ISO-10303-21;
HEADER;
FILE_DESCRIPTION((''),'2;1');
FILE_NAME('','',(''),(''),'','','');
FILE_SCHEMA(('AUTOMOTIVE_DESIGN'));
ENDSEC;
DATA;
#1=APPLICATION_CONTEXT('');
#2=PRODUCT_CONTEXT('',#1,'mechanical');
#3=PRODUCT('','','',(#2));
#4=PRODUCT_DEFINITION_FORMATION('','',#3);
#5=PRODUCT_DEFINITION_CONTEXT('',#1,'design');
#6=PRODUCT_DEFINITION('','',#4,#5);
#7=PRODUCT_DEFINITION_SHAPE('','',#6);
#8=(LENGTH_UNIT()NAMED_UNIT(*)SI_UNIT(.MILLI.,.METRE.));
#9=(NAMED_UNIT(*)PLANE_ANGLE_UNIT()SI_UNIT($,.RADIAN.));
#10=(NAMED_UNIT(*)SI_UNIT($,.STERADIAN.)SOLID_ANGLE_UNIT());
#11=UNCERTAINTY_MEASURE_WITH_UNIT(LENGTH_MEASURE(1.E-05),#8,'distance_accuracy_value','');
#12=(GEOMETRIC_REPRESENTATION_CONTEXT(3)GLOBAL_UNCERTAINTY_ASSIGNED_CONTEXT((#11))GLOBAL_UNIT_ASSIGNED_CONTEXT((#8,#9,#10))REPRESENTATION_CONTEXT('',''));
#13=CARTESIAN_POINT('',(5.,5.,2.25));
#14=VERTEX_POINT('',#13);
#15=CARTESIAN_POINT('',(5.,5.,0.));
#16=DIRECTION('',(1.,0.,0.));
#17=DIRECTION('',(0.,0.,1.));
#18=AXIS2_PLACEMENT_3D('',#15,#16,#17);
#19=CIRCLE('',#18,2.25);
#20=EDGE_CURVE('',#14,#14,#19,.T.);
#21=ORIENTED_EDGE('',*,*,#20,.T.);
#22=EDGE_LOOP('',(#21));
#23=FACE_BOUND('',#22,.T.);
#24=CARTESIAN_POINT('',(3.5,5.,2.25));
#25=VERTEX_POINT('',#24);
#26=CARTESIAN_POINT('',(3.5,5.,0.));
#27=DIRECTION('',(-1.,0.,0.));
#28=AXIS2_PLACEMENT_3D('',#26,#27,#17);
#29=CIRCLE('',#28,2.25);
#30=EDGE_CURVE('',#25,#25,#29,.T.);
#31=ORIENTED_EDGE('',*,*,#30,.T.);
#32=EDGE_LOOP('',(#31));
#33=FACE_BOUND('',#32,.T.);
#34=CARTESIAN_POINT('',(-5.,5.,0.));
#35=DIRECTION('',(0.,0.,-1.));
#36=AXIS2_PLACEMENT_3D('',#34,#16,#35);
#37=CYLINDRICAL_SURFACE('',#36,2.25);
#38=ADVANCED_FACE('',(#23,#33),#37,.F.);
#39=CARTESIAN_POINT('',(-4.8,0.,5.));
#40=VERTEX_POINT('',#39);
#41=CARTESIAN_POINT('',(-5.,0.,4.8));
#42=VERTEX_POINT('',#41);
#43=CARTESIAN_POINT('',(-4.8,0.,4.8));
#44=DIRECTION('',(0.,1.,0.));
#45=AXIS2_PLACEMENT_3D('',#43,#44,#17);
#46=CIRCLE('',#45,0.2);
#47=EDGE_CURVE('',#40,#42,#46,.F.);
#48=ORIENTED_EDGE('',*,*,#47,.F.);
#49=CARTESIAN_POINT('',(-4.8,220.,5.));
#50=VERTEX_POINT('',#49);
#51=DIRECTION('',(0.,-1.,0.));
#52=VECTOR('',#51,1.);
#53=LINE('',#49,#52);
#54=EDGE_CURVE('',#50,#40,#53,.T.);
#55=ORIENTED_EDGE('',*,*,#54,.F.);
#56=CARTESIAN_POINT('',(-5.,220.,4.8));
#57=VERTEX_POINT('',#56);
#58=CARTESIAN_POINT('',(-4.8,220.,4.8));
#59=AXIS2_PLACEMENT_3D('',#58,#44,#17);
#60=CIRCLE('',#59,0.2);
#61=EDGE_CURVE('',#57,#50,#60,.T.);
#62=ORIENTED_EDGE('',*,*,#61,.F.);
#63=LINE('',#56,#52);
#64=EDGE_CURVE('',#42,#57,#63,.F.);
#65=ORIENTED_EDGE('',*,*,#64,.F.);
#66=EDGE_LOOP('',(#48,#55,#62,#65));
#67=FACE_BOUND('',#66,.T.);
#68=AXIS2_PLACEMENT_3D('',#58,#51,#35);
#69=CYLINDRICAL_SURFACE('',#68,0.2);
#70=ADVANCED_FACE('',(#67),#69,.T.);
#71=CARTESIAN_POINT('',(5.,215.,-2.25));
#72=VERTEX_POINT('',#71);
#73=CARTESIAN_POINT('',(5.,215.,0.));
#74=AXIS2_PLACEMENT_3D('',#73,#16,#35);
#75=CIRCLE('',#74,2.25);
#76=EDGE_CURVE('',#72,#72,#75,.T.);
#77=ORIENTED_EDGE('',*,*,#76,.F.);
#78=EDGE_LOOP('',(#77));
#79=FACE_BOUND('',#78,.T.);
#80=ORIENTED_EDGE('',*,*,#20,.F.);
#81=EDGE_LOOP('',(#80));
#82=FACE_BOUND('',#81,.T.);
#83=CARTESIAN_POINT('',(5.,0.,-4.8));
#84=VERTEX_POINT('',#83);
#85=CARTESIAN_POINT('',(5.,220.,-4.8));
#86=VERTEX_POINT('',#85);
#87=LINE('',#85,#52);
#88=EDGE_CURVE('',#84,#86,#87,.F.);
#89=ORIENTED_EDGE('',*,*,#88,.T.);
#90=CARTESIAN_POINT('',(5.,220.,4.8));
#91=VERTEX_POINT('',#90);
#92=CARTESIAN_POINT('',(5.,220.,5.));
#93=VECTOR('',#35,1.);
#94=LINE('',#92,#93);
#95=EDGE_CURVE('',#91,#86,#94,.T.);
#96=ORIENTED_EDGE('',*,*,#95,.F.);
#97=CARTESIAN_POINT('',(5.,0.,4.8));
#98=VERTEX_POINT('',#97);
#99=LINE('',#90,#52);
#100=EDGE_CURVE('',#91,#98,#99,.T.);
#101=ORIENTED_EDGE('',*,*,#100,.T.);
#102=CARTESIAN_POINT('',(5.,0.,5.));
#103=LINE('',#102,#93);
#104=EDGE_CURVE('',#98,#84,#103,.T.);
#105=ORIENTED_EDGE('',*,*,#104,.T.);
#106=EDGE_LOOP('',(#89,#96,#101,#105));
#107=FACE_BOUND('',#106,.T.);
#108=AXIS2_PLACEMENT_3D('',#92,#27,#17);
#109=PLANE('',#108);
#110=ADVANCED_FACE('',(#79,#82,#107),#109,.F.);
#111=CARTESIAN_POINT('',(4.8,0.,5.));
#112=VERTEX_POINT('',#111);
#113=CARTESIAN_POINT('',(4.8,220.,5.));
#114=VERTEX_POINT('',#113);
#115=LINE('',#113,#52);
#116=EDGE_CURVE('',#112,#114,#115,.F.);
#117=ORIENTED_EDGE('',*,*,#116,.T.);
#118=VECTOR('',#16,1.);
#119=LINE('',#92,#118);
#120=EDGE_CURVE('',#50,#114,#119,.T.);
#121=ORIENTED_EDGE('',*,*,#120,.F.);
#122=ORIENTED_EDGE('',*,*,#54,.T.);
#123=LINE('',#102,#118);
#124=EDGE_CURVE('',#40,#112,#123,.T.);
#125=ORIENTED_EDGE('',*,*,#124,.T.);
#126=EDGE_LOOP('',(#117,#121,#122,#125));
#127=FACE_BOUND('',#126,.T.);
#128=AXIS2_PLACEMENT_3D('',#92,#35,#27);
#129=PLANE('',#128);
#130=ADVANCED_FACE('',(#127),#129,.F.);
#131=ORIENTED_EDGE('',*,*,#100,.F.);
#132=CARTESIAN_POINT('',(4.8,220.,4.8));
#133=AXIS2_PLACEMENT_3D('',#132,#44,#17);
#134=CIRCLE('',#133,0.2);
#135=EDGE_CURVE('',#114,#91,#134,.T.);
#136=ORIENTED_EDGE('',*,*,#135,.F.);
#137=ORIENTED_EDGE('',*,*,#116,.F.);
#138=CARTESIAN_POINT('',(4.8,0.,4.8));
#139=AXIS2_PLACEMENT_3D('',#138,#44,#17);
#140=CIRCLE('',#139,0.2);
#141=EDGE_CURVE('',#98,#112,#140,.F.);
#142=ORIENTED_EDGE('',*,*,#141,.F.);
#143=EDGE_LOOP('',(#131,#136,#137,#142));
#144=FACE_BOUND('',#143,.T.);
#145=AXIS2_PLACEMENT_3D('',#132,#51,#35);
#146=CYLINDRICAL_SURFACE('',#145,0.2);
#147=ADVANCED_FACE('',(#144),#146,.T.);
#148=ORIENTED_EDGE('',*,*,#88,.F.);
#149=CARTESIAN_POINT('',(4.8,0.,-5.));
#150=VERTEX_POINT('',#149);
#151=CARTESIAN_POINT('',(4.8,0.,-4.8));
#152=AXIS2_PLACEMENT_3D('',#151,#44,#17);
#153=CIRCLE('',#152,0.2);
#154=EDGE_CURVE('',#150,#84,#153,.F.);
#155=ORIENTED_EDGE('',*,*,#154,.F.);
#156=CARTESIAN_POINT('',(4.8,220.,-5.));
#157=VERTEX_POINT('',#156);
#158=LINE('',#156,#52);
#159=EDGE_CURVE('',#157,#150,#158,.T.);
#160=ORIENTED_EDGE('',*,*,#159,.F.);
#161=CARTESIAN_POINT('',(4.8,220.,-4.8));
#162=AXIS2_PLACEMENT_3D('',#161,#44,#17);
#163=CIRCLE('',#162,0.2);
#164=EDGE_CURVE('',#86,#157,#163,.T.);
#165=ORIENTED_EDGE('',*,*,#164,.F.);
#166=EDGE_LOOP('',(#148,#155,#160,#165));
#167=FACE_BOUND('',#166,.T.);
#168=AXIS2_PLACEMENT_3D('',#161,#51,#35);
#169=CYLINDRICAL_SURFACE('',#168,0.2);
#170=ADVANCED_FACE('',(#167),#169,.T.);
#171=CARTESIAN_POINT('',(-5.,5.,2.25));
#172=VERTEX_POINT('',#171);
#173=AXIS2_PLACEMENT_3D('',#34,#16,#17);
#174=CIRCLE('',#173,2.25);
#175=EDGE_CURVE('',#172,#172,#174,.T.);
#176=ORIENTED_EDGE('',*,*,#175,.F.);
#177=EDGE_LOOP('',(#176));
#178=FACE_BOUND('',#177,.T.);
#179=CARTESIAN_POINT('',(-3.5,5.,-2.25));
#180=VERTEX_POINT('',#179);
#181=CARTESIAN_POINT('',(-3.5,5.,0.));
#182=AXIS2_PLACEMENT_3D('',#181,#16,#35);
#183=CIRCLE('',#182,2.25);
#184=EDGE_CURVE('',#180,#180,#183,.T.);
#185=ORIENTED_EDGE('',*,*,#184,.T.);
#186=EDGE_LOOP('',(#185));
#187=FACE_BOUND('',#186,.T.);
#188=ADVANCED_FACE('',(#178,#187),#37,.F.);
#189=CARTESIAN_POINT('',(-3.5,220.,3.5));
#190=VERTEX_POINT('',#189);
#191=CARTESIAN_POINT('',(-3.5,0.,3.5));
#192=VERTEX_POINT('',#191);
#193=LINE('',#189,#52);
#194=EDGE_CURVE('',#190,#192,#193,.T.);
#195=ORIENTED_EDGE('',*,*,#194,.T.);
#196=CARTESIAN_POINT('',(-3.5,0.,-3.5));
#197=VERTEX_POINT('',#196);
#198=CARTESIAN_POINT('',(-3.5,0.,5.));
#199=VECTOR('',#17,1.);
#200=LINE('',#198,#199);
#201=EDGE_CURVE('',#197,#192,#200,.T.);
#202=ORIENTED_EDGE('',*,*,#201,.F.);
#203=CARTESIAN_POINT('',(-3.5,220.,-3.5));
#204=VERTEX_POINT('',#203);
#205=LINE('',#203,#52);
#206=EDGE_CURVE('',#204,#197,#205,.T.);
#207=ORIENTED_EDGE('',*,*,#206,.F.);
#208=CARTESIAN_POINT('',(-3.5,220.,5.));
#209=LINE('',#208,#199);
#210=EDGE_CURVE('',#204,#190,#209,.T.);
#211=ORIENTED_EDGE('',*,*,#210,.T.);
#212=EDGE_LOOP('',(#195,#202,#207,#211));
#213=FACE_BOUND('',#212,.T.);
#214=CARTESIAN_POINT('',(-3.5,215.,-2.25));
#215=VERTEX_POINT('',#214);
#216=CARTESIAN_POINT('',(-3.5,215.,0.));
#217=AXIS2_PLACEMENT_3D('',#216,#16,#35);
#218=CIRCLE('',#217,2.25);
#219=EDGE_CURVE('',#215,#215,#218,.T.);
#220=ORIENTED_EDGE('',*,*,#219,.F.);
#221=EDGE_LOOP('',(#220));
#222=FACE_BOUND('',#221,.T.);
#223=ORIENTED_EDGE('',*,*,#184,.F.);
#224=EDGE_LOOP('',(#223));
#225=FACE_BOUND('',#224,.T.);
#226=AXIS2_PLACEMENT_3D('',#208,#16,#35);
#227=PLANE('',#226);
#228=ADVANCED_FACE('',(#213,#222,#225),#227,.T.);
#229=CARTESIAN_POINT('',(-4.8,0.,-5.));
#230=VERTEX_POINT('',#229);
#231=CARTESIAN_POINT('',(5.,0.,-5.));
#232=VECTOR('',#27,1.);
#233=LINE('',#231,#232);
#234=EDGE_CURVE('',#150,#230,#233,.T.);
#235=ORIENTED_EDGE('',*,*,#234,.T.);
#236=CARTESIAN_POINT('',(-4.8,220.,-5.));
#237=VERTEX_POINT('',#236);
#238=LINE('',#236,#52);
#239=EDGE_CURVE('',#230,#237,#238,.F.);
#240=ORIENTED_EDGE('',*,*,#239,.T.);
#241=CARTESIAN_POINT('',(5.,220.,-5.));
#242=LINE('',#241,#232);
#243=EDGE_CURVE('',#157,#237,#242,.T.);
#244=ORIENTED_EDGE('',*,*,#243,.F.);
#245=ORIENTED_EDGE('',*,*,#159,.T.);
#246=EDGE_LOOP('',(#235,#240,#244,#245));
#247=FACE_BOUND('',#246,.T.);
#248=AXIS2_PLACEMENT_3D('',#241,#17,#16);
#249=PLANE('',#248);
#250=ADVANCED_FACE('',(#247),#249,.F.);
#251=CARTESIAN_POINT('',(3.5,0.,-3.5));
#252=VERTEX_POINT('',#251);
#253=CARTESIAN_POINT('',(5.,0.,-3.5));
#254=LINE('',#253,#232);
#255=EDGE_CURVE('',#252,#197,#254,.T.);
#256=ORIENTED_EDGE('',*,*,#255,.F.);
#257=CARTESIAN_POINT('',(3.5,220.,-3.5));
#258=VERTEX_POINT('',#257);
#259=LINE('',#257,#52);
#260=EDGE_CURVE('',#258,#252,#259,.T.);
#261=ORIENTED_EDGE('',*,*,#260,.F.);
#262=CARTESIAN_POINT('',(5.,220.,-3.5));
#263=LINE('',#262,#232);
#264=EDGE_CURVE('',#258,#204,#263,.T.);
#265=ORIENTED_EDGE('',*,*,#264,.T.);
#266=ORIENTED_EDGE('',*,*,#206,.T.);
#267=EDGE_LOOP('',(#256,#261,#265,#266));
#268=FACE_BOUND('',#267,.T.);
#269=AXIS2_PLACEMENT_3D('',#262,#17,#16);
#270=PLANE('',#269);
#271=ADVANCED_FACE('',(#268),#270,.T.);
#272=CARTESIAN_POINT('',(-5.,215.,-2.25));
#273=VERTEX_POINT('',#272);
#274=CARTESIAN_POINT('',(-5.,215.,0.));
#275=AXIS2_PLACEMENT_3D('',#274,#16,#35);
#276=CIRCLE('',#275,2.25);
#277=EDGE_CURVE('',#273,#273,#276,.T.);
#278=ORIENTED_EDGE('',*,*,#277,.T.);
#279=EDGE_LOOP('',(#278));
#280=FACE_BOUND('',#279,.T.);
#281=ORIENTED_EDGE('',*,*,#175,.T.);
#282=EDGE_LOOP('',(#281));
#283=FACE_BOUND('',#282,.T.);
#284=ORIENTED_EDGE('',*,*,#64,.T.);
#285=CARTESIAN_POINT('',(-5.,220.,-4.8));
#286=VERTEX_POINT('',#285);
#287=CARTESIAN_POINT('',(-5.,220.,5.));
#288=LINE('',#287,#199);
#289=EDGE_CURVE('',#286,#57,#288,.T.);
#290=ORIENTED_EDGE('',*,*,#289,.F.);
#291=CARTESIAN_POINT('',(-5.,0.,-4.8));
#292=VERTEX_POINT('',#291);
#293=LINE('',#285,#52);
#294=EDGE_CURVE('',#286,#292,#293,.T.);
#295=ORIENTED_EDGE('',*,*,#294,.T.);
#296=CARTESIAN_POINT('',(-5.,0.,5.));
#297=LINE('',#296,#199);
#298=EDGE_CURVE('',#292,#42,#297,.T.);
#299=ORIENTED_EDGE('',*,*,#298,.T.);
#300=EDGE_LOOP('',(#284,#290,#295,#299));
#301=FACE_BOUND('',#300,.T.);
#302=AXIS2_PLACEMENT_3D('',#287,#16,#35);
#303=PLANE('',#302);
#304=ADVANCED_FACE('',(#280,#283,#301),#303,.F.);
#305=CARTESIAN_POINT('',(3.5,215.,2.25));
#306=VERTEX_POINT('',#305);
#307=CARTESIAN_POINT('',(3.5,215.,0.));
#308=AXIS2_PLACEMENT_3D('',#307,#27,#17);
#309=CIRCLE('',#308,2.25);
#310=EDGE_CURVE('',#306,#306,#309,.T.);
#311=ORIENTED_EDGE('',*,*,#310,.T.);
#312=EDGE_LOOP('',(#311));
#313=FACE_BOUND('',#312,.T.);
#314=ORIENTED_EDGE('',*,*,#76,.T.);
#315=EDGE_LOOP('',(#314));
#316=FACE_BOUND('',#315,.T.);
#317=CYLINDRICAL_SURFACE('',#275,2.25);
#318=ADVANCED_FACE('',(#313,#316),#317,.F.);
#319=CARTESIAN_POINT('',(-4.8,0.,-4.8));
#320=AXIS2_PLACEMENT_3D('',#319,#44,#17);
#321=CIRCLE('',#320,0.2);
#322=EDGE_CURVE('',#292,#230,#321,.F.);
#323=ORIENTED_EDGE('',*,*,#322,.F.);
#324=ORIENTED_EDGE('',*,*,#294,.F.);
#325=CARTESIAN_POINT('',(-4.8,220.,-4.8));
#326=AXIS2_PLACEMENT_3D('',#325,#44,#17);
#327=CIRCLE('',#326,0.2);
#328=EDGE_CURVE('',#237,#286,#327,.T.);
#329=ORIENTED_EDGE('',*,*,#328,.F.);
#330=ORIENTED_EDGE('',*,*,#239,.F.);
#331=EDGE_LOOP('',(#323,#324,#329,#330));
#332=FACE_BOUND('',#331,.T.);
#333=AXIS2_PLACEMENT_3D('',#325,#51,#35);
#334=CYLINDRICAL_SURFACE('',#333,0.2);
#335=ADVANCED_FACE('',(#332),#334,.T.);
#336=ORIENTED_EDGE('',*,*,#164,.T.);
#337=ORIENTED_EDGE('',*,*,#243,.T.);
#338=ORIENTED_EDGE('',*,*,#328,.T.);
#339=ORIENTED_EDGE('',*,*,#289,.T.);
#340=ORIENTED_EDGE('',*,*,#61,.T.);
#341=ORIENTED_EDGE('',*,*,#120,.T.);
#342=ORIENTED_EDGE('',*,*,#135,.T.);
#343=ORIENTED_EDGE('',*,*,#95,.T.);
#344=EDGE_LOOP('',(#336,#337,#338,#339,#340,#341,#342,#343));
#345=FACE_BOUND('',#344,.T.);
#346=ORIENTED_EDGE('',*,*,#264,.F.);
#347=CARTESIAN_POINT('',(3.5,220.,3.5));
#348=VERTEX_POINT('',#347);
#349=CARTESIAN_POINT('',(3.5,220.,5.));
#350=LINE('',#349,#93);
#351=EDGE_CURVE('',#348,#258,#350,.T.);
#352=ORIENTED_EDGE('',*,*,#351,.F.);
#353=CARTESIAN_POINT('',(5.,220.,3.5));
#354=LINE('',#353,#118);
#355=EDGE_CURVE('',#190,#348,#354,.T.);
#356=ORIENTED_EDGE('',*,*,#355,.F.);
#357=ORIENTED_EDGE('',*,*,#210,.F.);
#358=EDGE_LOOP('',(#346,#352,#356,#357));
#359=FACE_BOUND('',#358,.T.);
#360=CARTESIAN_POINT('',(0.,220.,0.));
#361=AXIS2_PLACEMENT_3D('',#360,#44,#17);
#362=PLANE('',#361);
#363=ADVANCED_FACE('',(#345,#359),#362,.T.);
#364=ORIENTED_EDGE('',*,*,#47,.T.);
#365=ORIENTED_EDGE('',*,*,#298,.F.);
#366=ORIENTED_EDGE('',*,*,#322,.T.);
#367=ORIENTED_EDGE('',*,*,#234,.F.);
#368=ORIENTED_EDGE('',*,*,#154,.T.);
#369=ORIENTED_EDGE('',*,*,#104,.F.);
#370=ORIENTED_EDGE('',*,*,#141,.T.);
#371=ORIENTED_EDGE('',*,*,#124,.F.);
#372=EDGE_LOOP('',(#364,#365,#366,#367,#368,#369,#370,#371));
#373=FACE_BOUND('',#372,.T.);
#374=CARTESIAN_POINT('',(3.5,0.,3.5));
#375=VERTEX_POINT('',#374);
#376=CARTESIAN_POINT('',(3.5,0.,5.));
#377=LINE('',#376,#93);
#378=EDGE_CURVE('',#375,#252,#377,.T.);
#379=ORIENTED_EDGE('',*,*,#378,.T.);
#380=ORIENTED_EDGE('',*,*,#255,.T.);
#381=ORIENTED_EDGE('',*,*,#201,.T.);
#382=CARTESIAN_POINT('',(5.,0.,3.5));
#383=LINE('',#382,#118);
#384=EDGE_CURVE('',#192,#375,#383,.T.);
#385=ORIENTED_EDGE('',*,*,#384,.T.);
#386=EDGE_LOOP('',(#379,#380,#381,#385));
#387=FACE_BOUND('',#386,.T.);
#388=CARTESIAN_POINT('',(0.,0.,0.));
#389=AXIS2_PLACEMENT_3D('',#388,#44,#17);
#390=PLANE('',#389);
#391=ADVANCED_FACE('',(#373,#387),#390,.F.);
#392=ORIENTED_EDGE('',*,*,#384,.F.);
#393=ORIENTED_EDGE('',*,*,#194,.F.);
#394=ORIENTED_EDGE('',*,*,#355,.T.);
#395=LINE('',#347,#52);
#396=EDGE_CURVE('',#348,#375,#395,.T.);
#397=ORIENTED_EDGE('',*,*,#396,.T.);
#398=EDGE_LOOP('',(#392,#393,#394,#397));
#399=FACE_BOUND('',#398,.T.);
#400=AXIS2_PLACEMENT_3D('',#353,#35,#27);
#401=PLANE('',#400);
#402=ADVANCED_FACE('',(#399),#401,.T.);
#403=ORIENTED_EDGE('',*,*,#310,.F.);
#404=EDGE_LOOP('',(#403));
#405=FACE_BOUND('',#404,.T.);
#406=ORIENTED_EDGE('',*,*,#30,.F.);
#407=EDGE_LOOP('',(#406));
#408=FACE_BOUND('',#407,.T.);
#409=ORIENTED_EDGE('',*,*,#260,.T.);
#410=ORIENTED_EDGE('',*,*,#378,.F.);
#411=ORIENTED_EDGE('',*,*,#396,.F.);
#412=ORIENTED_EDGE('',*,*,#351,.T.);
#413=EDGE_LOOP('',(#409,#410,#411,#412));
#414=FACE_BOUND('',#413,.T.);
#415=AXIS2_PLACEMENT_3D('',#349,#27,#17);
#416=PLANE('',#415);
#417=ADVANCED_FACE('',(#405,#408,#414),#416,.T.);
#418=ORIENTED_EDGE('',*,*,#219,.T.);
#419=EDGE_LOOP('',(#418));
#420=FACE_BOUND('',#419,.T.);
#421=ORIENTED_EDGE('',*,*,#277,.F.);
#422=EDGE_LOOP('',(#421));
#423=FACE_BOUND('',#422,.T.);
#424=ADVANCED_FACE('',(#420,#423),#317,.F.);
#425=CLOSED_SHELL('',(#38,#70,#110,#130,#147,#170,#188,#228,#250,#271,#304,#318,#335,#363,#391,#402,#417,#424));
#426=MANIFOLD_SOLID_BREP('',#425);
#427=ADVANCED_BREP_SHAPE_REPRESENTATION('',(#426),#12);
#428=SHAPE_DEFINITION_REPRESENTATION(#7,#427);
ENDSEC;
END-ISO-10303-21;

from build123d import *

# Parameters (mm, degrees)
SKETCH1_W               = 10
SKETCH1_H               = 10
SKETCH1_W_2             = 7
SKETCH1_H_2             = 7
EXTRUDE_THIN1_DEPTH     = 220
SKETCH2_R               = 2.25
CUT_EXTRUDE1_DEPTH      = 6
CUT_EXTRUDE1_DEPTH_BACK = 6
FILLET1_R               = 0.2


with BuildPart() as part:
    # Sketch1 → Extrude-Thin1 (new body)
    with BuildSketch(Plane(origin=(0, 0, 0), x_dir=(1, 0, 0), z_dir=(0, 1, 0))):
        Rectangle(SKETCH1_W, SKETCH1_H)
        Rectangle(SKETCH1_W_2, SKETCH1_H_2, mode=Mode.SUBTRACT)
    extrude(amount=EXTRUDE_THIN1_DEPTH)

    # Sketch2 → Cut-Extrude1 (cut, two sides)
    with BuildSketch(Plane(origin=(0, 0, 0), x_dir=(0, 0, -1), z_dir=(1, 0, 0))) as cut_extrude1_sk:
        with Locations((0, 215)):
            Circle(SKETCH2_R)
        with Locations((0, 5)):
            Circle(SKETCH2_R)
    extrude(amount=CUT_EXTRUDE1_DEPTH, mode=Mode.SUBTRACT)
    extrude(cut_extrude1_sk.sketch, amount=-CUT_EXTRUDE1_DEPTH_BACK, mode=Mode.SUBTRACT)

    # Fillet1
    fillet1_edges = [part.edges().sort_by_distance(p)[0] for p in [
        (-5, 110, -5),
        (5, 110, -5),
        (5, 110, 5),
        (-5, 110, 5),
    ]]
    fillet(fillet1_edges, radius=FILLET1_R)


solid = part.part
